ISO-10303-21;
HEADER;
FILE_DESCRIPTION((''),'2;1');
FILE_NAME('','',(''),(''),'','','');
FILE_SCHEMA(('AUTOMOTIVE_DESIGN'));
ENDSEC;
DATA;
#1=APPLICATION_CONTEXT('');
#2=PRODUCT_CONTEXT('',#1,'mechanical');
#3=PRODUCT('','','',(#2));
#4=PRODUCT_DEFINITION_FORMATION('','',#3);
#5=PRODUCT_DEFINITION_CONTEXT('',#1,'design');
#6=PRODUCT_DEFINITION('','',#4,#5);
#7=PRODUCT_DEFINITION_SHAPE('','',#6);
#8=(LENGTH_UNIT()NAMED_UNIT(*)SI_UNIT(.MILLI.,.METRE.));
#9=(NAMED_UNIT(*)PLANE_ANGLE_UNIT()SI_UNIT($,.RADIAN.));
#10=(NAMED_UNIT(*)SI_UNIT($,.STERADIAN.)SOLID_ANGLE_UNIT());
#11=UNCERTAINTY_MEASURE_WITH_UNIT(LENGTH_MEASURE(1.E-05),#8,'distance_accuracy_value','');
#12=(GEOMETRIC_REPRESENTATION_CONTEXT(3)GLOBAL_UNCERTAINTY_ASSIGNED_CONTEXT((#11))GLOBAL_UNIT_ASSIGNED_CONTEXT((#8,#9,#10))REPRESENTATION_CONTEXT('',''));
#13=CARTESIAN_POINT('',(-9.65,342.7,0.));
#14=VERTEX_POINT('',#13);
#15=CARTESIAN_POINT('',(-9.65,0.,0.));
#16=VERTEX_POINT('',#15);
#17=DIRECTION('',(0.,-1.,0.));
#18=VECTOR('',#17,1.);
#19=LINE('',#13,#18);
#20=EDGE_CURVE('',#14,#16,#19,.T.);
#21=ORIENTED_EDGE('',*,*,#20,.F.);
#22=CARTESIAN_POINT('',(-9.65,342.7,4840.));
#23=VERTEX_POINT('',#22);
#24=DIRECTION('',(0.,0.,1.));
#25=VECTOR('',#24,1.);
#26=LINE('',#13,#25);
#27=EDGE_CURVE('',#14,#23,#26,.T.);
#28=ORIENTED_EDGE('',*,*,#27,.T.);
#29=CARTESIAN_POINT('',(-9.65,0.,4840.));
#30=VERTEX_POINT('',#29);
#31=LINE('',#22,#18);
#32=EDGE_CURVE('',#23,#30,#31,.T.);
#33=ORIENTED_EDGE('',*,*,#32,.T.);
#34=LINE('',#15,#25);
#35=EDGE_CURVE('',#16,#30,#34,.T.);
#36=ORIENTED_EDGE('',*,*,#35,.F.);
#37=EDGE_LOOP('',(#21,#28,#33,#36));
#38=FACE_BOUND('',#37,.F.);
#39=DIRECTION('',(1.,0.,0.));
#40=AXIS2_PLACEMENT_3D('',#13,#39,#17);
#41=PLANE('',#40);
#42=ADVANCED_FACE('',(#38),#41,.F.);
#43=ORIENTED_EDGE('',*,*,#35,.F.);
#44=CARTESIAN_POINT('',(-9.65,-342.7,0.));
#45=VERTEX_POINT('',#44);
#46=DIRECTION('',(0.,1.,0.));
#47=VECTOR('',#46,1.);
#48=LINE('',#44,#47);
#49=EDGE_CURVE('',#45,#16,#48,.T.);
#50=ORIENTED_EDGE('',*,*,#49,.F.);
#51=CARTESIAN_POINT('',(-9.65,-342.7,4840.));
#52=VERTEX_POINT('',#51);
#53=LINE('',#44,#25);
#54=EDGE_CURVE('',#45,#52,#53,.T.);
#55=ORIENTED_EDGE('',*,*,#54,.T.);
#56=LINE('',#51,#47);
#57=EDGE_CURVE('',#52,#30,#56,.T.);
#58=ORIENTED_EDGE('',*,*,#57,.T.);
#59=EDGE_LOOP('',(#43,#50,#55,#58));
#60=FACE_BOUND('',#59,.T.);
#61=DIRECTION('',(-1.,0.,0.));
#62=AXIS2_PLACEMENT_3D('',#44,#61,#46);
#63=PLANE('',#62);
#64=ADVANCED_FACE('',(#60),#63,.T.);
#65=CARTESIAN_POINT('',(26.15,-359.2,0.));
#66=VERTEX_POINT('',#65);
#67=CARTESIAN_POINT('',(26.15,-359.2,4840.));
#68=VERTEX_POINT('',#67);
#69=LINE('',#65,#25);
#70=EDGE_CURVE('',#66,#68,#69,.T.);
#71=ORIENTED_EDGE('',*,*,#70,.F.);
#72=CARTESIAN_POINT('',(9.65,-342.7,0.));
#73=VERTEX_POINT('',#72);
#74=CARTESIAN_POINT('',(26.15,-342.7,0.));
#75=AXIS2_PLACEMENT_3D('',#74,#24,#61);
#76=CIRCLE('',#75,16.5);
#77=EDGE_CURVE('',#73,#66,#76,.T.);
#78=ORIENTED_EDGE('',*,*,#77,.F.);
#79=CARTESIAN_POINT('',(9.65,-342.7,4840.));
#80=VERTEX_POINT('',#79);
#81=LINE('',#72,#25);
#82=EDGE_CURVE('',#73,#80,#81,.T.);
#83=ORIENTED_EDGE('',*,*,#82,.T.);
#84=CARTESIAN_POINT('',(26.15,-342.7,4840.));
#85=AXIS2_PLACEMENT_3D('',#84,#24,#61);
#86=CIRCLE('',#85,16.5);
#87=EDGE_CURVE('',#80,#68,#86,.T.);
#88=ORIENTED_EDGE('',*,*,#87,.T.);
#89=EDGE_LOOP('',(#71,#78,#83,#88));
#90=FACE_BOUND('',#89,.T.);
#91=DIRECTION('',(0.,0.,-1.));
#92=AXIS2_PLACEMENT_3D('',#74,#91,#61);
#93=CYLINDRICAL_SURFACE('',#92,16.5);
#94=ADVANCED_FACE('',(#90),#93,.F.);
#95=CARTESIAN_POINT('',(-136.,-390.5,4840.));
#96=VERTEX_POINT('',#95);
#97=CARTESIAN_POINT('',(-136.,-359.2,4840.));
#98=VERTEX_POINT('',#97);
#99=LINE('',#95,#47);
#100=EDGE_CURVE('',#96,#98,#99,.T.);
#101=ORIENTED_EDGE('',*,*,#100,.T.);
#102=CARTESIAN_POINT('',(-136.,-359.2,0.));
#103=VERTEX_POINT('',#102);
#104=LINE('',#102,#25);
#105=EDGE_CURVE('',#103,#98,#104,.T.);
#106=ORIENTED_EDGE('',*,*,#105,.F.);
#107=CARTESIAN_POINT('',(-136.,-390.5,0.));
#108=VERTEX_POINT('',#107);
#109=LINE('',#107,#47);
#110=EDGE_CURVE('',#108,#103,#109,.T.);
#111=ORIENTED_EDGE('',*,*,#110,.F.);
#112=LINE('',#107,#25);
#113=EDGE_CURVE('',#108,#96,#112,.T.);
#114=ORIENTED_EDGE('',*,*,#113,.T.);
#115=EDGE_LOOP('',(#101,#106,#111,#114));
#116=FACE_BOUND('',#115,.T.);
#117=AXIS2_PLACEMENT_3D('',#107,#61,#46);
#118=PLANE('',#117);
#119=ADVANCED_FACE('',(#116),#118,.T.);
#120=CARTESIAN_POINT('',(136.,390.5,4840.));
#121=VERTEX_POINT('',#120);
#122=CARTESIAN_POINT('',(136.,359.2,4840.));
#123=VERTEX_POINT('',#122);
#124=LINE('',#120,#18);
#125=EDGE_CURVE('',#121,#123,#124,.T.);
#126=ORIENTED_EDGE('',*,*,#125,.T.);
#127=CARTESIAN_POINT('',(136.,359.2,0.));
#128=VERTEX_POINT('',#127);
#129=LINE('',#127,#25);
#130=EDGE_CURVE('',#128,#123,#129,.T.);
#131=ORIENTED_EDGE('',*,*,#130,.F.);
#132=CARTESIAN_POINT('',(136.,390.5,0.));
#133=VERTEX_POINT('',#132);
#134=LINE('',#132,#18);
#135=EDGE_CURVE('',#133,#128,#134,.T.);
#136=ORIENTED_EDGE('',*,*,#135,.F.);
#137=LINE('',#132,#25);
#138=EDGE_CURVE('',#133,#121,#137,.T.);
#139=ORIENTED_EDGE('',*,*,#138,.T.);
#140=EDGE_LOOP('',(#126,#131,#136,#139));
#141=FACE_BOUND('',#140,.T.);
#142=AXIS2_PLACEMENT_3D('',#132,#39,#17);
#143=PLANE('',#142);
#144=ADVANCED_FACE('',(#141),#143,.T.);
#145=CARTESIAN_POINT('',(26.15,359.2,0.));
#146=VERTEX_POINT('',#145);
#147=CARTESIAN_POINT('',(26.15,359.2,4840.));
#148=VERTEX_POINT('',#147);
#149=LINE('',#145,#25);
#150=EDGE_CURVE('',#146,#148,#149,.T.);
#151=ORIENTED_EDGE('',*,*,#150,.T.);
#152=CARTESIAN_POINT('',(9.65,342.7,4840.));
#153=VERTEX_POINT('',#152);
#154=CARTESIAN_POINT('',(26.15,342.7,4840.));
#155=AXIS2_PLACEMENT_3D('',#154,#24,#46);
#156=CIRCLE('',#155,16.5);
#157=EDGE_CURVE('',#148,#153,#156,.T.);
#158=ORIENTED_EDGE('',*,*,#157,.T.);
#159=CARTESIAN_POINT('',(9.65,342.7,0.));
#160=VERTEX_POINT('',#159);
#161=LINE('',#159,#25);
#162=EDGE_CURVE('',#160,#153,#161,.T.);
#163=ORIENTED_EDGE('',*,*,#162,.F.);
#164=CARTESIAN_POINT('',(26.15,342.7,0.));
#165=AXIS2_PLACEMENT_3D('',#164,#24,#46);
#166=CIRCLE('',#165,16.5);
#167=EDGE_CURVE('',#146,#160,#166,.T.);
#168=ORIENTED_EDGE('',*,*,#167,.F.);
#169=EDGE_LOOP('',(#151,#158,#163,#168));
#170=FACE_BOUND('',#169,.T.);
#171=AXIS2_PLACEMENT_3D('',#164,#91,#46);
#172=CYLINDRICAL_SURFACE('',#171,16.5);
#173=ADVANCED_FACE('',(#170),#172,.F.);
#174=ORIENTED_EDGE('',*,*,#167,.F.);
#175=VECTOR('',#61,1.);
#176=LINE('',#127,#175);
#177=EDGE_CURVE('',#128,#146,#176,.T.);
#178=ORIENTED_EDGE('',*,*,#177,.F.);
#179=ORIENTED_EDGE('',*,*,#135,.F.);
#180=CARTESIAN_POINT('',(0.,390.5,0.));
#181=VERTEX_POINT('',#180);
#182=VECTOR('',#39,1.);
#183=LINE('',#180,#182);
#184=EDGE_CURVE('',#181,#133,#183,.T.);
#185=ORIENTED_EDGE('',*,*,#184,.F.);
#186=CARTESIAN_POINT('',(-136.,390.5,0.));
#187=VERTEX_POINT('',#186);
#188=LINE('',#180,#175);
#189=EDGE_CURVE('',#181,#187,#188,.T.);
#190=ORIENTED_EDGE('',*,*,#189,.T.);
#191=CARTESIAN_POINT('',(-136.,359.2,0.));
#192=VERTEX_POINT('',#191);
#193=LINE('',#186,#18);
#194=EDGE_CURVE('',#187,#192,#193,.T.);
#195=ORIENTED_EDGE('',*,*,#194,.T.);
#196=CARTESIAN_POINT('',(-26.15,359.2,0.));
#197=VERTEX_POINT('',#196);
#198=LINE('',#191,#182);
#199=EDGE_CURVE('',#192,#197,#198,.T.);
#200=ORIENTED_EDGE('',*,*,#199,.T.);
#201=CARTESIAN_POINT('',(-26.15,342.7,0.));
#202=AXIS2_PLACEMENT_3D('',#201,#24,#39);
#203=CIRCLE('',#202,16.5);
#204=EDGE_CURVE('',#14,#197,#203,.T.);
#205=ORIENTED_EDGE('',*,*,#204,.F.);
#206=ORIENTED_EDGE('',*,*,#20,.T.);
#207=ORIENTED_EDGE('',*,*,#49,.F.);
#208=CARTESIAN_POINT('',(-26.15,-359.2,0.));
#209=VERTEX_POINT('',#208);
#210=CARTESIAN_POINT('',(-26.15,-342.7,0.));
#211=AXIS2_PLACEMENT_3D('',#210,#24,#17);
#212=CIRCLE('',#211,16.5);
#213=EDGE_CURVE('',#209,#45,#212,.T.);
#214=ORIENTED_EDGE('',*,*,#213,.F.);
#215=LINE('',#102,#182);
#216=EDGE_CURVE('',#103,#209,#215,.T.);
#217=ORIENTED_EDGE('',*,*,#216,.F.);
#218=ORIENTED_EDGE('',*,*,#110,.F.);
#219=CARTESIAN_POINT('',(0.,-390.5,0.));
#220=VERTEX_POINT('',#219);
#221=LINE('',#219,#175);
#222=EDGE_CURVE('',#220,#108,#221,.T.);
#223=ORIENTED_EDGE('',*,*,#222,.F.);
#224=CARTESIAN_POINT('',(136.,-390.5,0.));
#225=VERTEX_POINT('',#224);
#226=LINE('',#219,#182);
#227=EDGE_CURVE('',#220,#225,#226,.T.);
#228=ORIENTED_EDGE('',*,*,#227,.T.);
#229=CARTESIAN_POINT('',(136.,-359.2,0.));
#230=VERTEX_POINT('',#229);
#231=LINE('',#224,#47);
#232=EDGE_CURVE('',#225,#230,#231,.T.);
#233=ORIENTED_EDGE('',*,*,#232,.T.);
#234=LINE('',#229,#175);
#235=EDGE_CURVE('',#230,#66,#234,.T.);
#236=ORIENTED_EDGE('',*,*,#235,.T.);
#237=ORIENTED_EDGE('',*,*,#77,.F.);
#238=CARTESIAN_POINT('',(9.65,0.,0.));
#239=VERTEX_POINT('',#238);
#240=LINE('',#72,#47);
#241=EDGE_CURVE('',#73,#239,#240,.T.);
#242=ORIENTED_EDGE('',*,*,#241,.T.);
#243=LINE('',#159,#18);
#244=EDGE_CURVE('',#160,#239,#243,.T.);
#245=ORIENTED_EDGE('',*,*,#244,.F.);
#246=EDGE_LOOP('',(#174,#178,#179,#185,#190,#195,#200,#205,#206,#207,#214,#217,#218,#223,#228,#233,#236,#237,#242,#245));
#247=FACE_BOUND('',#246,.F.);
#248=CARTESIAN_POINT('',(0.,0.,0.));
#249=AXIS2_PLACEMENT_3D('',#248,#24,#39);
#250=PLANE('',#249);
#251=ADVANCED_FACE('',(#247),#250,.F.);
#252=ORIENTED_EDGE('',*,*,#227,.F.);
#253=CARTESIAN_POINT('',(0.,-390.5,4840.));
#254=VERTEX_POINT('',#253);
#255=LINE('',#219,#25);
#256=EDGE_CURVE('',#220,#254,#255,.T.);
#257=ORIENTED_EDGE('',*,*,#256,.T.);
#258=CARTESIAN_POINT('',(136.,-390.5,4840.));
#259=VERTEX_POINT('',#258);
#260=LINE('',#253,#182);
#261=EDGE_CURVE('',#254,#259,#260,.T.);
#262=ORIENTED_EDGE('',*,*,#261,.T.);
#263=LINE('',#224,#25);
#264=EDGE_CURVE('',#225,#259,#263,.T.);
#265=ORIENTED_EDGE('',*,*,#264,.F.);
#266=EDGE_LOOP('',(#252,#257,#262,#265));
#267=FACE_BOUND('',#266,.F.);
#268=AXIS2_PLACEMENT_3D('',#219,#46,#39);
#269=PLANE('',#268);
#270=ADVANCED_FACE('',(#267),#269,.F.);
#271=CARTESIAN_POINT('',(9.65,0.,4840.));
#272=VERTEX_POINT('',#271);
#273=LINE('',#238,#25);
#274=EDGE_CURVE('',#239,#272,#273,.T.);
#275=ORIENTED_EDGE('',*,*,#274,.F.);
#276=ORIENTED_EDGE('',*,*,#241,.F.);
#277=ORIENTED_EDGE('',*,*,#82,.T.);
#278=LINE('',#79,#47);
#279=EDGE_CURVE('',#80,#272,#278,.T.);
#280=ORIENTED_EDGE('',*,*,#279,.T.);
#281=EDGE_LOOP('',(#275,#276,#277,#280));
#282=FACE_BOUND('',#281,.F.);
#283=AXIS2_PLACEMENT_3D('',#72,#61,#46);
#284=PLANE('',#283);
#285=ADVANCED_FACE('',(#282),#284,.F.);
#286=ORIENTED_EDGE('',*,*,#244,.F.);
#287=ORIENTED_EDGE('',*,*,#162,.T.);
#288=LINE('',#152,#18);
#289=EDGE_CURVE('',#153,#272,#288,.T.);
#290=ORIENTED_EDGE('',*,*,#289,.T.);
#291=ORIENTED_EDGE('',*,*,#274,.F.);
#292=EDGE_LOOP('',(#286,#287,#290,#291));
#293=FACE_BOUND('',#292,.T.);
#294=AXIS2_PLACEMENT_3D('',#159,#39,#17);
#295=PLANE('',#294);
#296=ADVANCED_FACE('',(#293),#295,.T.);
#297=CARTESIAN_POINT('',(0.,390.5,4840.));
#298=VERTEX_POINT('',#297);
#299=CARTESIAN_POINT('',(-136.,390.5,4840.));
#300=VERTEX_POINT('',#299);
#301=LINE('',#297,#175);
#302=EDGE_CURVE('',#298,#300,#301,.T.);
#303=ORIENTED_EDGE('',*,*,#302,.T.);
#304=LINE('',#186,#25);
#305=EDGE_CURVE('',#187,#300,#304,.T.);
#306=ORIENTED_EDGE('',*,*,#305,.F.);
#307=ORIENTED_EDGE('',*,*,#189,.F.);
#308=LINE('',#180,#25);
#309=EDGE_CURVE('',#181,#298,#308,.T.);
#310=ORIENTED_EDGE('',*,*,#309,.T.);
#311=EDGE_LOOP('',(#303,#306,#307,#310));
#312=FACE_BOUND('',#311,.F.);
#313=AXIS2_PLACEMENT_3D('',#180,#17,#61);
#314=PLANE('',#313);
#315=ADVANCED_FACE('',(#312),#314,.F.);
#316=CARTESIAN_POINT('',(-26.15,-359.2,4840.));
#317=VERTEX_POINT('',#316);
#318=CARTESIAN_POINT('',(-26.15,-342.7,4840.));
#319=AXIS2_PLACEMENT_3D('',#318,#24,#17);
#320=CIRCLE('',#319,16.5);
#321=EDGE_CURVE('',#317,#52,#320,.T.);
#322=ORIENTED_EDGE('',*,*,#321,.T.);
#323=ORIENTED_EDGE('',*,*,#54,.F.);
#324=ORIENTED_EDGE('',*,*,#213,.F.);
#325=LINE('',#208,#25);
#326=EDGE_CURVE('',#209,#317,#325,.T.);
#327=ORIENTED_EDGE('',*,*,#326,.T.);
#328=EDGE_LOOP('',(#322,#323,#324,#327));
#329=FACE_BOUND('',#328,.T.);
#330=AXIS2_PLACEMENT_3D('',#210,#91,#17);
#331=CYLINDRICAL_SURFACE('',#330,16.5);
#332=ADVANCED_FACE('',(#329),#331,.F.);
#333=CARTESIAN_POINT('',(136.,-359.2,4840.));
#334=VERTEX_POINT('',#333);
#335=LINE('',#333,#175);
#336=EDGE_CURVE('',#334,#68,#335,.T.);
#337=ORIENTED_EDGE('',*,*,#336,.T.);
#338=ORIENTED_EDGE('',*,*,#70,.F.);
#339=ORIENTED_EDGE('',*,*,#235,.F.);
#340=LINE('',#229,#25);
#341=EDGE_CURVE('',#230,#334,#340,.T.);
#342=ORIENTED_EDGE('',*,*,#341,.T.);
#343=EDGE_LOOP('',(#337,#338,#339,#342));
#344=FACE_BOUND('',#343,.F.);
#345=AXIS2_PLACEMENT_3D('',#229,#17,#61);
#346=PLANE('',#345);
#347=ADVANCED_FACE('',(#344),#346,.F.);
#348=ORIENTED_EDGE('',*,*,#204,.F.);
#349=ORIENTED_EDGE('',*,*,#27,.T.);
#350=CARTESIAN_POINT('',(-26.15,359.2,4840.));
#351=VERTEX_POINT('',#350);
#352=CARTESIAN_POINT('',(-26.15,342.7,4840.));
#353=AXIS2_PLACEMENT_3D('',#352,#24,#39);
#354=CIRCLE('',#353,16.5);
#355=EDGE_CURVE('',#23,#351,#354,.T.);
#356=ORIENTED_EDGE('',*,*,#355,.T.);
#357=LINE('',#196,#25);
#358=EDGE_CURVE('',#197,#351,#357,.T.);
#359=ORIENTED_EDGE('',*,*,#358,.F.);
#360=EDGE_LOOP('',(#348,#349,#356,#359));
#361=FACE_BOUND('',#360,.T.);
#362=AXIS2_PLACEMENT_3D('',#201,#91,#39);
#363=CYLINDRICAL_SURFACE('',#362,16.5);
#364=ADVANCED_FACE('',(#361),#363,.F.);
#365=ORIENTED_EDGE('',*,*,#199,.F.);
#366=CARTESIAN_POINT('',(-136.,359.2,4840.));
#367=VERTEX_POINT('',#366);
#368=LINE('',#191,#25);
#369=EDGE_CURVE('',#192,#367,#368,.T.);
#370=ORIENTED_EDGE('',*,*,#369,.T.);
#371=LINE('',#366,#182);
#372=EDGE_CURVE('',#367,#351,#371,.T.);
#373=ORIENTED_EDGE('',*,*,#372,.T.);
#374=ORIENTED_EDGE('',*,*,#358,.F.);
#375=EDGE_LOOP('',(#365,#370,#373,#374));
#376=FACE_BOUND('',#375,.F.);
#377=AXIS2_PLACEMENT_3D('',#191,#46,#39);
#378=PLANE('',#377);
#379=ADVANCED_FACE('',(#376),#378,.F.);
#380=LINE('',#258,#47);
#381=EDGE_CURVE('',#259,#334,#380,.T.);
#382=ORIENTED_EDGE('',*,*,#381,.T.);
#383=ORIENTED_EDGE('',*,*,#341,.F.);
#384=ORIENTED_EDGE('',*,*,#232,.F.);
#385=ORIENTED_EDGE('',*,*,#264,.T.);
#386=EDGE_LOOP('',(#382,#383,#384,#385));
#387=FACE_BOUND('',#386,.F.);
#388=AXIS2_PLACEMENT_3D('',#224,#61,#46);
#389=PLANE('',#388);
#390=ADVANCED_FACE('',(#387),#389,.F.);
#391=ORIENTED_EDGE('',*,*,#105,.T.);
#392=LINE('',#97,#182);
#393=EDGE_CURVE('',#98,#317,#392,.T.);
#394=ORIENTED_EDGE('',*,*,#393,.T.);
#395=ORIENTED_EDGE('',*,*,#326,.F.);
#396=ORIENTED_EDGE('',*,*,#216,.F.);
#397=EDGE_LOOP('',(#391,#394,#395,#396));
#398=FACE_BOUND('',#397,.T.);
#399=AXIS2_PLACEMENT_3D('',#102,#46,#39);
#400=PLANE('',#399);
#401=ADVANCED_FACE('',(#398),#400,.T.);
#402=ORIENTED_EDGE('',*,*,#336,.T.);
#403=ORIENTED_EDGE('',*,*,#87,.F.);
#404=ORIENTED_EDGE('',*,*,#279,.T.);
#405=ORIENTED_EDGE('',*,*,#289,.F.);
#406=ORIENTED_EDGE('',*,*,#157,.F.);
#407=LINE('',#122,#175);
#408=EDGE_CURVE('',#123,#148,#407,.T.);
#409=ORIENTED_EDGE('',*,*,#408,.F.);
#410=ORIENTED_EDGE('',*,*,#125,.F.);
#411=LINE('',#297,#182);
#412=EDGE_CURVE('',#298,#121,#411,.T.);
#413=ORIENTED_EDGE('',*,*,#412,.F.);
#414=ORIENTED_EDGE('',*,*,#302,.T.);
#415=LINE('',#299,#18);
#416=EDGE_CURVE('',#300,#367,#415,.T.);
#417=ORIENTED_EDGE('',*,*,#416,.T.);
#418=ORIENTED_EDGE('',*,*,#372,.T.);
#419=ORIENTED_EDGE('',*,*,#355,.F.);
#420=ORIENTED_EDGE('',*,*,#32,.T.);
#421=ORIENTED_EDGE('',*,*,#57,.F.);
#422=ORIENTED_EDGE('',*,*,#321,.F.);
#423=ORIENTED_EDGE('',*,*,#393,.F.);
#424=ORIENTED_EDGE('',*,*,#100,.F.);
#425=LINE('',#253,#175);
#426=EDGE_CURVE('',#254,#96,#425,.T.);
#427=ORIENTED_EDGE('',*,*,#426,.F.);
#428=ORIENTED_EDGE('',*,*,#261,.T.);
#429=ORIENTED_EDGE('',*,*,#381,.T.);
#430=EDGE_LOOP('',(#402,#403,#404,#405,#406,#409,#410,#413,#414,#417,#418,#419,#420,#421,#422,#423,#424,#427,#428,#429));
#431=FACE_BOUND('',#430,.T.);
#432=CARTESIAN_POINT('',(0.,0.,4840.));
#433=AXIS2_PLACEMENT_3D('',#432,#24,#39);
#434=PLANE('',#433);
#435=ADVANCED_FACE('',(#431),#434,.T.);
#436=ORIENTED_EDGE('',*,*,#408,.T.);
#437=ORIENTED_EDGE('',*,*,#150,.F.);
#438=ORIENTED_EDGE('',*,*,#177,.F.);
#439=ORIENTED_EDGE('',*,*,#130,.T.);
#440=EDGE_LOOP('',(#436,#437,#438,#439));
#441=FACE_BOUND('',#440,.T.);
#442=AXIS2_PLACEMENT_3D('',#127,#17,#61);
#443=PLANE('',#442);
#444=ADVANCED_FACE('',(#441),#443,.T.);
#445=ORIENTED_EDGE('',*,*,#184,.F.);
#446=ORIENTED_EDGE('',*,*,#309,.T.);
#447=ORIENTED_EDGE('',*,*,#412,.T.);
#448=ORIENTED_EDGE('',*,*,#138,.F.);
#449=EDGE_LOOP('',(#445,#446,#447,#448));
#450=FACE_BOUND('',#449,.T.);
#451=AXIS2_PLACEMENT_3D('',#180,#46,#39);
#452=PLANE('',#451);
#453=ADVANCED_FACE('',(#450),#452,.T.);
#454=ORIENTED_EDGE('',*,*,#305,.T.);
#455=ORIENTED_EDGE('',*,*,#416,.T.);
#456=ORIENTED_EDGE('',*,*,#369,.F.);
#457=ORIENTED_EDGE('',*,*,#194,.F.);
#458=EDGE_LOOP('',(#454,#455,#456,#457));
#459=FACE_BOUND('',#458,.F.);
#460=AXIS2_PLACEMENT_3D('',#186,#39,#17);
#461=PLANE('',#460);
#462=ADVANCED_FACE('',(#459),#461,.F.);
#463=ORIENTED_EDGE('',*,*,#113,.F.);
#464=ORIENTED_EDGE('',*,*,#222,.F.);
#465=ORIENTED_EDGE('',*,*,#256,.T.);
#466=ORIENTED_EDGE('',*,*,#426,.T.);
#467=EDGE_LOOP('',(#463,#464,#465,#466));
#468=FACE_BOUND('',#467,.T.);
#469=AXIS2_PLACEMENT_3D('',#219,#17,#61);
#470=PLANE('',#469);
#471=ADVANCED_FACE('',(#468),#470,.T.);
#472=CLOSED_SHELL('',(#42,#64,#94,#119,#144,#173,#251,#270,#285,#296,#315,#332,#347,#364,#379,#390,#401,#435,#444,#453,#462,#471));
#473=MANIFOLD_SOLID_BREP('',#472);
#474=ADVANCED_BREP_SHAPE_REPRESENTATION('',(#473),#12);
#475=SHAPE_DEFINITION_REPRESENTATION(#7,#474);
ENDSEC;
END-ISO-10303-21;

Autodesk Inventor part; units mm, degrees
ref_plane "YZ Plane" through (0, 0, 0) normal (1, 0, 0) x (0, 1, 0)
ref_plane "Start plane" through (0, 0, 0) normal (0, 0, 1) x (1, 0, 0)
ref_plane "End plane" through (0, 0, 4840) normal (0, 0, 1) x (1, 0, 0)
sketch "Sketch" plane through (0, 0, 0) normal (0, 0, 1) x (1, 0, 0)
  line L0 (-136, -390.5) -> (-136, -359.2)
  line L1 (-136, -359.2) -> (-26.15, -359.2)
  line L2 (-9.65, -342.7) -> (-9.65, 0)
  line L3 (-9.65, 0) -> (0, 0) construction
  line L4 (0, 0) -> (0, -390.5) construction
  line L5 (0, -390.5) -> (-136, -390.5)
  line L6 (-60, 0) -> (80, 0) construction
  line L7 (0, -60) -> (0, 80) construction
  line L8 (136, -390.5) -> (136, -359.2)
  line L9 (136, -359.2) -> (26.15, -359.2)
  line L10 (9.65, -342.7) -> (9.65, 0)
  line L11 (9.65, 0) -> (0, 0) construction
  line L12 (0, -390.5) -> (136, -390.5)
  line L13 (-136, 390.5) -> (-136, 359.2)
  line L14 (-136, 359.2) -> (-26.15, 359.2)
  line L15 (-9.65, 342.7) -> (-9.65, 0)
  line L16 (0, 390.5) -> (-136, 390.5)
  line L17 (136, 390.5) -> (136, 359.2)
  line L18 (136, 359.2) -> (26.15, 359.2)
  line L19 (0, 390.5) -> (136, 390.5)
  line L20 (9.65, 342.7) -> (9.65, 0)
  arc A0 (-9.65, 342.7) -> (-26.15, 359.2) centre (-26.15, 342.7) ccw
  arc A1 (26.15, 359.2) -> (9.65, 342.7) centre (26.15, 342.7) ccw
  arc A2 (9.65, -342.7) -> (26.15, -359.2) centre (26.15, -342.7) ccw
  arc A3 (-26.15, -359.2) -> (-9.65, -342.7) centre (-26.15, -342.7) ccw
  line L21 (0, 108) -> (0, -88) construction
  line L22 (-88, 0) -> (108, 0) construction
  point P0 (-9.65, -359.2)
  point P1 (9.65, -359.2)
  point P2 (-9.65, 359.2)
  point P3 (9.65, 359.2)
  dimension "d1" = 390.5
  dimension "d2" = 31.3
  dimension "d3" = 136
  dimension "d4" = 9.65
  dimension "d10" = 16.5
extrude "Body" add sketch "Sketch" along normal up to surface (4840 mm away) from surface at 0
sketch "Sketch4" plane through (0, 0, 0) normal (0, 0, 1) x (1, 0, 0)
  line L0 (0, 0) -> (10, 0)
ref_plane "Work Plane3" through (0, 0, 0) normal (0, -1, 0) x (1, 0, 0)
sketch "Sketch5" plane through (0, 0, 0) normal (0, -1, 0) x (1, 0, 0)
  line L0 (-2, 0) -> (12, 0) projected
  line L1 (-2, 4840) -> (12, 4840) projected
  dimension "d14" = 4840
equation "\"d1\" = 0.5 * G_H"
equation "\"d2\" = G_T1"
equation "\"d3\" = 0.5 * G_W"
equation "\"d4\" = 0.5 * G_T"
equation "\"d10\" = G_IR"
equation "\"d5\" = G_L"
equation "\"G_W\" = 272"
equation "\"G_H\" = 781"
equation "\"G_T\" = 19.3"
equation "\"G_T1\" = 31.3"
equation "\"G_IR\" = 16.5"
equation "\"G_L\" = d14"
equation "\"G_OFFSET_START\" = 0"
equation "\"G_OFFSET_END\" = 0"
properties part number "AS 3679-1990 - 760 UB - 244 - 4840" material "Steel, Mild"
